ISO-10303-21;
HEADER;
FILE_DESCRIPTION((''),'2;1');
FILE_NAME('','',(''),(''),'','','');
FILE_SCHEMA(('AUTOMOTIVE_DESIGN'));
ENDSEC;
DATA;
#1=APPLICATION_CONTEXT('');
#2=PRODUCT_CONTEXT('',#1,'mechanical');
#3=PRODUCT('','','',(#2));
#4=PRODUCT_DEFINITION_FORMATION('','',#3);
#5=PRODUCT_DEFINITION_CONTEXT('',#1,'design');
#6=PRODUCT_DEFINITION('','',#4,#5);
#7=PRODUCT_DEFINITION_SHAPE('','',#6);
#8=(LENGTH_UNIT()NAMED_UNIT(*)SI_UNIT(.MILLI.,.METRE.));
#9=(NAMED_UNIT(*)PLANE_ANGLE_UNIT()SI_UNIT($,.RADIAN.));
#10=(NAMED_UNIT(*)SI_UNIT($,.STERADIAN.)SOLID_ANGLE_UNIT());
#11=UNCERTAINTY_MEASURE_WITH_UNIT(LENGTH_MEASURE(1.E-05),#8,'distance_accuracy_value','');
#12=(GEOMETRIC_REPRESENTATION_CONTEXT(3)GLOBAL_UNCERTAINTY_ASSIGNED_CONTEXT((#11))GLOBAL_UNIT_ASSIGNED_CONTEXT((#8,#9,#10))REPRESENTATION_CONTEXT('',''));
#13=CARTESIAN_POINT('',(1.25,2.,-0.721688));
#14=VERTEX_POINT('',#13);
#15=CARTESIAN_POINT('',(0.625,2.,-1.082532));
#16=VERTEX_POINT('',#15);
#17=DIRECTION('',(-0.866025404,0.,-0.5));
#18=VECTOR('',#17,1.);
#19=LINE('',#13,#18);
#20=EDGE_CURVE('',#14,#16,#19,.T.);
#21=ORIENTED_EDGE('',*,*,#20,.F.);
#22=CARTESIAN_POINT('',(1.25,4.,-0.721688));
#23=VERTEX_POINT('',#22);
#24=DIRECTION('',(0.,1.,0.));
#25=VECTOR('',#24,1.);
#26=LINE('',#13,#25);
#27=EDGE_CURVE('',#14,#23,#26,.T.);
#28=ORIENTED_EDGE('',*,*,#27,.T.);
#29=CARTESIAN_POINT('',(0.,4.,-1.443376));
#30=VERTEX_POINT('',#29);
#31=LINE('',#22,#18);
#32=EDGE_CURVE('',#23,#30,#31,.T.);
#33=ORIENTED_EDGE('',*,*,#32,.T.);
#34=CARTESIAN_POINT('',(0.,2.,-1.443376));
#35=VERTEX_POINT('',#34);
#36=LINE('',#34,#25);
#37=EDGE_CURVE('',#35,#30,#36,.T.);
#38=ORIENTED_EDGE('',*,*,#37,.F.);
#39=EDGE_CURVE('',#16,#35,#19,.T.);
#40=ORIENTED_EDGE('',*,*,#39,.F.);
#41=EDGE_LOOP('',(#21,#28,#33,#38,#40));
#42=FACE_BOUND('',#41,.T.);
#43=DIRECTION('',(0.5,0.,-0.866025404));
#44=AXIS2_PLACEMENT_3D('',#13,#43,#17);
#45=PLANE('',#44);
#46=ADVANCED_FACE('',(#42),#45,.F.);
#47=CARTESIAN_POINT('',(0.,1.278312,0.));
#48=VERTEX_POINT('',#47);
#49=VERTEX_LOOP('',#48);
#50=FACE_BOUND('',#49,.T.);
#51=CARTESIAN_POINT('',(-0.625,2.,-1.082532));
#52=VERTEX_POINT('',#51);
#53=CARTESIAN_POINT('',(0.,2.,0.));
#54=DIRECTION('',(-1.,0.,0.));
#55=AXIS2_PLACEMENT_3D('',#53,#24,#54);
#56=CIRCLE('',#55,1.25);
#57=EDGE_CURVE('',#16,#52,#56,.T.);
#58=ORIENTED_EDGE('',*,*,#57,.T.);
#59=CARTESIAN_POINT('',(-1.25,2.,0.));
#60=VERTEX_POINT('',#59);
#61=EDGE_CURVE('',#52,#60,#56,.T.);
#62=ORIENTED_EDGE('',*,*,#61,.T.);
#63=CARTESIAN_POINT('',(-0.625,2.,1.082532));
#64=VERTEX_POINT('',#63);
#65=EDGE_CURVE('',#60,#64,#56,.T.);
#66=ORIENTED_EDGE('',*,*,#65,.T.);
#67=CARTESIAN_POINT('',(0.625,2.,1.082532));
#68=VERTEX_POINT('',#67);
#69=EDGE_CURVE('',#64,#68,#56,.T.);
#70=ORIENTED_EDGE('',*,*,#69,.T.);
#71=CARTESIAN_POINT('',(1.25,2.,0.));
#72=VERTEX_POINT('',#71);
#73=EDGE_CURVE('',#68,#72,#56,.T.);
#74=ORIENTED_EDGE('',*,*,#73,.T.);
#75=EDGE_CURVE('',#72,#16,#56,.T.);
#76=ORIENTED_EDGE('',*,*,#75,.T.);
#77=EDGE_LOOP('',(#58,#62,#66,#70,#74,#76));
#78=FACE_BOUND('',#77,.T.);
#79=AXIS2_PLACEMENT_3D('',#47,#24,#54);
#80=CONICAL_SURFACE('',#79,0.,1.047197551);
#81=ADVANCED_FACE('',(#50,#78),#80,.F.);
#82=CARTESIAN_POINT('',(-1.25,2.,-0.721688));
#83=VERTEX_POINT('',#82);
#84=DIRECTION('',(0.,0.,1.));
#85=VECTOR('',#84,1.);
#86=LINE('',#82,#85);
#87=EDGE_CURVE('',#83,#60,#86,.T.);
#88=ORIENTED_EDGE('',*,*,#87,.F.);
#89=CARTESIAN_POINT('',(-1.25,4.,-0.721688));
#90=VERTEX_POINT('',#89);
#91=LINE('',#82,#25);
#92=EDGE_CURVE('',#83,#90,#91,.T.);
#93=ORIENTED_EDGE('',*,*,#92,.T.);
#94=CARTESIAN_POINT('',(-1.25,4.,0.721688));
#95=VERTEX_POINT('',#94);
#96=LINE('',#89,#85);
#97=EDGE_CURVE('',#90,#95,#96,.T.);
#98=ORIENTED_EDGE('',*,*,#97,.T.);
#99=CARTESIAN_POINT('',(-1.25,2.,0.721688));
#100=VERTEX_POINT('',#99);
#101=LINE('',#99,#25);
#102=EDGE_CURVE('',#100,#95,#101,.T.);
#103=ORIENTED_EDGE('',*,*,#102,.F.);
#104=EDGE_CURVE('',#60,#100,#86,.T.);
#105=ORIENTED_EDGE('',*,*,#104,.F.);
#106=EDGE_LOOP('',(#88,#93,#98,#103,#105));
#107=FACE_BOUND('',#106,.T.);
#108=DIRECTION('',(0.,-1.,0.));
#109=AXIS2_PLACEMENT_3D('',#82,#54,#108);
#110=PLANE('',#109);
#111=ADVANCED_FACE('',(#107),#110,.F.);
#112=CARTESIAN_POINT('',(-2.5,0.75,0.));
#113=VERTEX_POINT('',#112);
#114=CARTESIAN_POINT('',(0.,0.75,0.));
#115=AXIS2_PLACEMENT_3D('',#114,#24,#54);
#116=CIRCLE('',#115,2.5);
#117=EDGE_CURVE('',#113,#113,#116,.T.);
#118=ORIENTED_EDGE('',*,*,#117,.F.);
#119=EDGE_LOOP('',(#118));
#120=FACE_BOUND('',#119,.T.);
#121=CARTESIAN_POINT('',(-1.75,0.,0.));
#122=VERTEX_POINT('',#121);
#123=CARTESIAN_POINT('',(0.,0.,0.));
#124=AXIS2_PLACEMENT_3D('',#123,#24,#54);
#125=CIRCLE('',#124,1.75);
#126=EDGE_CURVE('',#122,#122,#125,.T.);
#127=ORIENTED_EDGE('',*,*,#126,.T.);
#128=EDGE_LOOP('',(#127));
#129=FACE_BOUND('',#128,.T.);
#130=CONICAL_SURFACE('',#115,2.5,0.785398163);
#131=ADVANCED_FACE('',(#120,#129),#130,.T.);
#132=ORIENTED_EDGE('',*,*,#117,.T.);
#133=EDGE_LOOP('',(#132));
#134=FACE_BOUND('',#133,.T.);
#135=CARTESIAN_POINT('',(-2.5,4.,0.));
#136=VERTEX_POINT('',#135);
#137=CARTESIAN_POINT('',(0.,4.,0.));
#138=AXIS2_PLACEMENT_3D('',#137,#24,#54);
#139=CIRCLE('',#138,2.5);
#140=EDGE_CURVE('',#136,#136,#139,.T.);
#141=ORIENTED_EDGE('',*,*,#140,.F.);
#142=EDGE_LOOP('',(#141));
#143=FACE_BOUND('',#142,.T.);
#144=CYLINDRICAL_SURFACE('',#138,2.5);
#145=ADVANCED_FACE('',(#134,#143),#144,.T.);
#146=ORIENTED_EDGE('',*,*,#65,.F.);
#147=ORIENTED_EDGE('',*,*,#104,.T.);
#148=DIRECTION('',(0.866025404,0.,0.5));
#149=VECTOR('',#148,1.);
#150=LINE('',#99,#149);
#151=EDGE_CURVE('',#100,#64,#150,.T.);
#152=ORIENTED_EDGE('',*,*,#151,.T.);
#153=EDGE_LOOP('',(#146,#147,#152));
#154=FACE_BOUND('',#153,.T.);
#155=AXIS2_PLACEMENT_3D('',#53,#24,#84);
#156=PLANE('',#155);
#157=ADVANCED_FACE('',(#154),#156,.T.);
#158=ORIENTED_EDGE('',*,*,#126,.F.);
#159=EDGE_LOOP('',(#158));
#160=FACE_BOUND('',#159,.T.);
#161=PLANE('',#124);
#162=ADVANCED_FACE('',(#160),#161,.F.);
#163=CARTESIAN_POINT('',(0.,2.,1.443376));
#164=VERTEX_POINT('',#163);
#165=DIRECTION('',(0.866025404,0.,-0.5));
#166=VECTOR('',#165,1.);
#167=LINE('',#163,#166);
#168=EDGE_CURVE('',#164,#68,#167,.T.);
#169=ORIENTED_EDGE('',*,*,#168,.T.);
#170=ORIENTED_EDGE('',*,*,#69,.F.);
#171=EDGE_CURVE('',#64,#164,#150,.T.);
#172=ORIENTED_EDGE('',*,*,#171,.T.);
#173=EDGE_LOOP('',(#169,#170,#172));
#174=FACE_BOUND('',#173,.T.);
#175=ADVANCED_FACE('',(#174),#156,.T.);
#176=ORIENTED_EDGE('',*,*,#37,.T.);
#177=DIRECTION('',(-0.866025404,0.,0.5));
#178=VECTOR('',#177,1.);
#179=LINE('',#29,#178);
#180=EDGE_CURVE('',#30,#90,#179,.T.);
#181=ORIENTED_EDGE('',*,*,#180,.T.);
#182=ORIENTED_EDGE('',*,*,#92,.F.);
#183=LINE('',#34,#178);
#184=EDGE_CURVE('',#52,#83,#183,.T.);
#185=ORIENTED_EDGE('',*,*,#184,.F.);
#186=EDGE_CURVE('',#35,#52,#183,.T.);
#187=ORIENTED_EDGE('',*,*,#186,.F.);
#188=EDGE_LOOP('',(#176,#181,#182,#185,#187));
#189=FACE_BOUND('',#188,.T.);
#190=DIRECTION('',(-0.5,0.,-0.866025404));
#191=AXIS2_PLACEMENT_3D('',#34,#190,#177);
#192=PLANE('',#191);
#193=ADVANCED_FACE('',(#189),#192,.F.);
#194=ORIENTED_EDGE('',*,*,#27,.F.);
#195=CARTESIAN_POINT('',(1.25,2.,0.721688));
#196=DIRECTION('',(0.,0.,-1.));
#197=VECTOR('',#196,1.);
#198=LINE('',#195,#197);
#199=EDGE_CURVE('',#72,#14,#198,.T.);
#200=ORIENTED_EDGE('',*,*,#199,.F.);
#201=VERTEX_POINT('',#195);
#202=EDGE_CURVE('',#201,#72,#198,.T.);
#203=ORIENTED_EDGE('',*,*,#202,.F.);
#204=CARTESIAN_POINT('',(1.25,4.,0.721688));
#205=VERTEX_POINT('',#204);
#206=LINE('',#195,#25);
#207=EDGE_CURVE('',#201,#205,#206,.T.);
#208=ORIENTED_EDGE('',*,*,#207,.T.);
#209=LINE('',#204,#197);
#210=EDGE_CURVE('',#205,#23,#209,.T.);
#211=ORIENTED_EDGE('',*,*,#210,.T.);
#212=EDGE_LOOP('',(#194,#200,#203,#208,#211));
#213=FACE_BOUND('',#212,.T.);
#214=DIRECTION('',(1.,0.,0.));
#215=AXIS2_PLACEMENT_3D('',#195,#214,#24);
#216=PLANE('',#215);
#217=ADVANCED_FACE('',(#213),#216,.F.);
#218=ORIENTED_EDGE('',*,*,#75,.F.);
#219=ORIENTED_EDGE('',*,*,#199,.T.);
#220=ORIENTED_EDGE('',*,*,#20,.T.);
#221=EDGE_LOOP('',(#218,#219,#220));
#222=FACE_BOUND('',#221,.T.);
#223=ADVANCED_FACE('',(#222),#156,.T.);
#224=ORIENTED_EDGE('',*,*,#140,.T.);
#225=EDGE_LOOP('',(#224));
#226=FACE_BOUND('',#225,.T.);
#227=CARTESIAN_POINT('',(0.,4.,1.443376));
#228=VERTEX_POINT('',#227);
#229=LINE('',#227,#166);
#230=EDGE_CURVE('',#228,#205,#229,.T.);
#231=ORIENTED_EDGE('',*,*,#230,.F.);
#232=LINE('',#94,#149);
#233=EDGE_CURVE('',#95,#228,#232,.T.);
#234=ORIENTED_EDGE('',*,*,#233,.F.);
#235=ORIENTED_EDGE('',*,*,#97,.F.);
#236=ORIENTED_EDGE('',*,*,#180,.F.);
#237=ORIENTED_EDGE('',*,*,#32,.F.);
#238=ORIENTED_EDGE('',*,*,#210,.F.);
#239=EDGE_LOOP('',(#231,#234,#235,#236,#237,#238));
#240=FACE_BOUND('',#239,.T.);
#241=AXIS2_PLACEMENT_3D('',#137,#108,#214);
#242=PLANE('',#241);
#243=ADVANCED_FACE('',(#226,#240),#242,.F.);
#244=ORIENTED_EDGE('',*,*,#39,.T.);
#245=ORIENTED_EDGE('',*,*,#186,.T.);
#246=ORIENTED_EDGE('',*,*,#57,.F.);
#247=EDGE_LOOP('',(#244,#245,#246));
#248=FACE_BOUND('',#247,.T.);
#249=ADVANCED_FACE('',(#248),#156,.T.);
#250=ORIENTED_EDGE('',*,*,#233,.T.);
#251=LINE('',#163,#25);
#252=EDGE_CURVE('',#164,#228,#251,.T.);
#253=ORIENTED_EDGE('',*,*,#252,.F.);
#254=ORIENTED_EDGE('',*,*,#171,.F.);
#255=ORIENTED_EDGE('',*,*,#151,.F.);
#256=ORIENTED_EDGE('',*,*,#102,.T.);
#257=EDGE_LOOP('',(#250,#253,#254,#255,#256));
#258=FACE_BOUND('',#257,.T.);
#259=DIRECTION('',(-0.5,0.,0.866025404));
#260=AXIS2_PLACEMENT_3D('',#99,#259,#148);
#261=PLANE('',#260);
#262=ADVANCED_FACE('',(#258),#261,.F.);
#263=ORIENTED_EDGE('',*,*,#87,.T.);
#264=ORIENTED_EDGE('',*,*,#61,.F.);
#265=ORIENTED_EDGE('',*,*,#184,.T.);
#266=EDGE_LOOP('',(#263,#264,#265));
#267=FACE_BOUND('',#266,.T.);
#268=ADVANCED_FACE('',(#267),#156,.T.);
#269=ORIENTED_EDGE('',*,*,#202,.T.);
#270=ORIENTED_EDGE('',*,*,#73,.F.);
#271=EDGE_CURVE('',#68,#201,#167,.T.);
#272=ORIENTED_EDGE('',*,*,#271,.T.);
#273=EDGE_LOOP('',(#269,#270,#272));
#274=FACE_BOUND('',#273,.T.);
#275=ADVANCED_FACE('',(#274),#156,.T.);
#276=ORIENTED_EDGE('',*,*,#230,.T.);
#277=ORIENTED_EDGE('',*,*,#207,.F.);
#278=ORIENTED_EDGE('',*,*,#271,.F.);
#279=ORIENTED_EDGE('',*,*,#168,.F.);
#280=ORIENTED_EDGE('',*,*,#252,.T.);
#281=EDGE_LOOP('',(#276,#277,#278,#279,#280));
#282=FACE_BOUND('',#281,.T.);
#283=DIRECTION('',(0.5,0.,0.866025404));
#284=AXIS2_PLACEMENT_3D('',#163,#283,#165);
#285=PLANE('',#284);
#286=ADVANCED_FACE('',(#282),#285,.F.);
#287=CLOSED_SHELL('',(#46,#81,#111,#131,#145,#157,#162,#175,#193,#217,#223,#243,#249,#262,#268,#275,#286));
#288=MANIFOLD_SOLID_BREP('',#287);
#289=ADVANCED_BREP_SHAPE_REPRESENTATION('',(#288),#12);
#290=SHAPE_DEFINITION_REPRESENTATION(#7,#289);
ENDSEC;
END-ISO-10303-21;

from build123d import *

# Parameters (mm, degrees)
SKETCH1_W          = 2.5
SKETCH1_H          = 4
CUT_EXTRUDE1_DEPTH = 2


with BuildPart() as part:
    # Sketch1 → Revolve1 (revolve)
    with BuildSketch(Plane.XY, mode=Mode.PRIVATE) as revolve1_sk:
        with Locations((1.25, 2)):
            Rectangle(SKETCH1_W, SKETCH1_H)
    revolve(revolve1_sk.sketch.rotate(Axis((0, 4, 0), (0, -1, 0)), 180), axis=Axis((0, 4, 0), (0, -1, 0)))

    # Sketch2 → Cut-Revolve1 (revolve, cut)
    with BuildSketch(Plane.XY, mode=Mode.PRIVATE) as cut_revolve1_sk:
        Polygon((0, 4), (1.25, 4), (1.25, 2), (0, 1.278312164), align=None)
    revolve(cut_revolve1_sk.sketch.rotate(Axis((0, 4, 0), (0, -1, 0)), 180), axis=Axis((0, 4, 0), (0, -1, 0)), mode=Mode.SUBTRACT)

    # Sketch3 → Cut-Extrude1 (cut)
    with BuildSketch(Plane(origin=(0, 4, 0), x_dir=(1, 0, 0), z_dir=(0, 1, 0))):
        Polygon((0, 1.443375673), (-1.25, 0.721687836), (-1.25, -0.721687836), (0, -1.443375673), (1.25, -0.721687836), (1.25, 0.721687836), align=None)
    extrude(amount=-CUT_EXTRUDE1_DEPTH, mode=Mode.SUBTRACT)

    # Sketch4 → Cut-Revolve2 (revolve, cut)
    with BuildSketch(Plane.XY, mode=Mode.PRIVATE) as cut_revolve2_sk:
        Polygon((2.5, 0.75), (2.5, 0), (1.75, 0), align=None)
    revolve(cut_revolve2_sk.sketch.rotate(Axis((0, 4, 0), (0, -1, 0)), 180), axis=Axis((0, 4, 0), (0, -1, 0)), mode=Mode.SUBTRACT)


solid = part.part
